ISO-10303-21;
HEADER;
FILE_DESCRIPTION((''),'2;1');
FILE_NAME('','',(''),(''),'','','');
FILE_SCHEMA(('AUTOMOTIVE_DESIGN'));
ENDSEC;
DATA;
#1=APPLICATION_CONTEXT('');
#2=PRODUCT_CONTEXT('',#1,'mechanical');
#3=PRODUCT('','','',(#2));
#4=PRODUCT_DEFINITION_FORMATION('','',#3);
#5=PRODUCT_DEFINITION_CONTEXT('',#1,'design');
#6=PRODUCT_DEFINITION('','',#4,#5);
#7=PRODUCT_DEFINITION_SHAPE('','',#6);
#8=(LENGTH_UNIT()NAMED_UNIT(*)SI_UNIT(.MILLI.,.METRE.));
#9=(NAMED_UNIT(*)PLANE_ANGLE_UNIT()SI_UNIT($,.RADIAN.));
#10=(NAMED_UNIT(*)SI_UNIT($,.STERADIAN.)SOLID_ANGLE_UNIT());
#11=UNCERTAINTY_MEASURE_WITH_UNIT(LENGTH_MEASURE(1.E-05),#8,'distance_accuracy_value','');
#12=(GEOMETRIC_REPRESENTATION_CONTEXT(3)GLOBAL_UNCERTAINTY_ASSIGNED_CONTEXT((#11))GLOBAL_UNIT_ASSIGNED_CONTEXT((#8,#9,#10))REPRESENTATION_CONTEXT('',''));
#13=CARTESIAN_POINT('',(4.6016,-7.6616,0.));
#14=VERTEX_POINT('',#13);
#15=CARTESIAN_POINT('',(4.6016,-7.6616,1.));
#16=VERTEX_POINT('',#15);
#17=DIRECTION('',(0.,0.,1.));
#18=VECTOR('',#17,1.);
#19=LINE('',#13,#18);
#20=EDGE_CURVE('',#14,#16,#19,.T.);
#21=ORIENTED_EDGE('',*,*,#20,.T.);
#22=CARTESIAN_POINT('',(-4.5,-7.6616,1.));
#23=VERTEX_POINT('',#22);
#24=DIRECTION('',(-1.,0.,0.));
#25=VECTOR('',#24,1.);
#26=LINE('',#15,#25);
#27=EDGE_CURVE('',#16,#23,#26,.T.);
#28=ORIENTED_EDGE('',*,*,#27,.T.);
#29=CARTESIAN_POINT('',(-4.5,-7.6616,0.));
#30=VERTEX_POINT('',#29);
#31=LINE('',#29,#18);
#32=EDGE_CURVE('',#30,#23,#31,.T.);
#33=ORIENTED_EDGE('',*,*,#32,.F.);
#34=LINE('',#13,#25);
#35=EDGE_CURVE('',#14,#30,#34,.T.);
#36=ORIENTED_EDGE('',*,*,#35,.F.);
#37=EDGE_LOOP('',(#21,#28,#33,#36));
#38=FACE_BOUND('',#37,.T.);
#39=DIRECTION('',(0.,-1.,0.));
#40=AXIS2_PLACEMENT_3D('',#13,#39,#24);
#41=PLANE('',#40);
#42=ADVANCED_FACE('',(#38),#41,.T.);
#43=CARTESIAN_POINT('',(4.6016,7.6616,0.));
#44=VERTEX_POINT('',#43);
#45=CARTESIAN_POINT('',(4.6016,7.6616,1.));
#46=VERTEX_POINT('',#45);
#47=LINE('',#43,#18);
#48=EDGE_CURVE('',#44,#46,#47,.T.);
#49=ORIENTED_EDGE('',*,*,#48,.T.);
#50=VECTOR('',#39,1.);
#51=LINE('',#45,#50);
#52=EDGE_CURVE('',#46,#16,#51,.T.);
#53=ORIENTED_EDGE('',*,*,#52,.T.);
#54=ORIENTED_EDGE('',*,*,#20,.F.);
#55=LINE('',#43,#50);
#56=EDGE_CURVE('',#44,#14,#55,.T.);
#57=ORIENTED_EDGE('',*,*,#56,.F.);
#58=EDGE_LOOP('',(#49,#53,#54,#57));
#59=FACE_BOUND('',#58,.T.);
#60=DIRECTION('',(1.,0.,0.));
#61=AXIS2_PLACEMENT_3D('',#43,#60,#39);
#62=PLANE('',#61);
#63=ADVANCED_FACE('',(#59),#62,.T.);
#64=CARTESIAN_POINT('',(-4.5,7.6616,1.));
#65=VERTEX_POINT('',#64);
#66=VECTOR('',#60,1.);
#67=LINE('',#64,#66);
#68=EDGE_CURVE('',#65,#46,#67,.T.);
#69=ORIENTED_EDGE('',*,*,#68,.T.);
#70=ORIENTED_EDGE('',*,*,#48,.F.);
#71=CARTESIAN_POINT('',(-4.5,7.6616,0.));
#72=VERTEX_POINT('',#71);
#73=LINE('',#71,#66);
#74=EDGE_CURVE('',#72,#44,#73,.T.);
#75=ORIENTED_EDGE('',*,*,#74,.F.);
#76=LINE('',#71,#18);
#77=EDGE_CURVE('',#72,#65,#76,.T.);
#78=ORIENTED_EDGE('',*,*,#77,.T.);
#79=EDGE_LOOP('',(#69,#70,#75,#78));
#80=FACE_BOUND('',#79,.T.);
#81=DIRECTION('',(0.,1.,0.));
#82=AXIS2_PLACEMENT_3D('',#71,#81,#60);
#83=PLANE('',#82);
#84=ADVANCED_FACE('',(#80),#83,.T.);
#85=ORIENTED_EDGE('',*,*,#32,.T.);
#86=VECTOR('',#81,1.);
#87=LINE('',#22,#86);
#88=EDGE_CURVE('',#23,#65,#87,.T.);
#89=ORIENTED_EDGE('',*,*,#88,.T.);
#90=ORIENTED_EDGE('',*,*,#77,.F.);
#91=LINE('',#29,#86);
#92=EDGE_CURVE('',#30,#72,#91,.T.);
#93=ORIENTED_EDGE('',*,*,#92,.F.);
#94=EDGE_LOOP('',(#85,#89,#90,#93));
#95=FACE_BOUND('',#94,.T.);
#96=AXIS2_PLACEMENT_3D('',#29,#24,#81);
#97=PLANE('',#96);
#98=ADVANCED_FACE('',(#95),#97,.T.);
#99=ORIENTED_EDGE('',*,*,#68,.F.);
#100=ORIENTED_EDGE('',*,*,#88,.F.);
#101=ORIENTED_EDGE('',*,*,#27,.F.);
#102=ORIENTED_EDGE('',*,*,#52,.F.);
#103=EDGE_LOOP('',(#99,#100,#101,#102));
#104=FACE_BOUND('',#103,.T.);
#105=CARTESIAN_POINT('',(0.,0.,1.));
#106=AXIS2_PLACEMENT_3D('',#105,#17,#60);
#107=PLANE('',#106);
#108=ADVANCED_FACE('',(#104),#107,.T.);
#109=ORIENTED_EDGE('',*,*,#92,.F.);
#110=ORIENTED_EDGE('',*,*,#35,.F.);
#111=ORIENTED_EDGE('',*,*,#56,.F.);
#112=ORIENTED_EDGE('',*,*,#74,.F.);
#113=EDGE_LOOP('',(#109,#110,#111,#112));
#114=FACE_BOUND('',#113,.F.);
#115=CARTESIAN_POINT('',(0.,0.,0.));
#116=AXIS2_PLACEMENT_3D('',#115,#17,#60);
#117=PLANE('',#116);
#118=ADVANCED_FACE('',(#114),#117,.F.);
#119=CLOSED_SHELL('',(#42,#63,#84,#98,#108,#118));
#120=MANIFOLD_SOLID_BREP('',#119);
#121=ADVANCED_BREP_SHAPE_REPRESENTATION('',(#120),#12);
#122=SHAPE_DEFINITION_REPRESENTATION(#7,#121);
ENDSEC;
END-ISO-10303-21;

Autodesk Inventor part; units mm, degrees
ref_plane "YZ Plane" through (0, 0, 0) normal (1, 0, 0) x (0, 1, 0)
ref_plane "XZ Plane" through (0, 0, 0) normal (0, 1, 0) x (-1, 0, 0)
ref_plane "XY Plane" through (0, 0, 0) normal (0, 0, 1) x (1, 0, 0)
sketch "2X3-SHROUDED, J3_2X3-SHROUDED_54" plane through (0, 0, 0) normal (0, 0, 1) x (1, 0, 0)
  line L0 (-4.5, 7.6616) -> (4.6016, 7.6616)
  line L1 (4.6016, 7.6616) -> (4.6016, -7.6616)
  line L2 (4.6016, -7.6616) -> (-4.5, -7.6616)
  line L3 (-4.5, -7.6616) -> (-4.5, 7.6616)
extrude "Extrusion1" add sketch "2X3-SHROUDED, J3_2X3-SHROUDED_54" along normal blind 1
properties part number "J3_2X3-SHROUDED"
